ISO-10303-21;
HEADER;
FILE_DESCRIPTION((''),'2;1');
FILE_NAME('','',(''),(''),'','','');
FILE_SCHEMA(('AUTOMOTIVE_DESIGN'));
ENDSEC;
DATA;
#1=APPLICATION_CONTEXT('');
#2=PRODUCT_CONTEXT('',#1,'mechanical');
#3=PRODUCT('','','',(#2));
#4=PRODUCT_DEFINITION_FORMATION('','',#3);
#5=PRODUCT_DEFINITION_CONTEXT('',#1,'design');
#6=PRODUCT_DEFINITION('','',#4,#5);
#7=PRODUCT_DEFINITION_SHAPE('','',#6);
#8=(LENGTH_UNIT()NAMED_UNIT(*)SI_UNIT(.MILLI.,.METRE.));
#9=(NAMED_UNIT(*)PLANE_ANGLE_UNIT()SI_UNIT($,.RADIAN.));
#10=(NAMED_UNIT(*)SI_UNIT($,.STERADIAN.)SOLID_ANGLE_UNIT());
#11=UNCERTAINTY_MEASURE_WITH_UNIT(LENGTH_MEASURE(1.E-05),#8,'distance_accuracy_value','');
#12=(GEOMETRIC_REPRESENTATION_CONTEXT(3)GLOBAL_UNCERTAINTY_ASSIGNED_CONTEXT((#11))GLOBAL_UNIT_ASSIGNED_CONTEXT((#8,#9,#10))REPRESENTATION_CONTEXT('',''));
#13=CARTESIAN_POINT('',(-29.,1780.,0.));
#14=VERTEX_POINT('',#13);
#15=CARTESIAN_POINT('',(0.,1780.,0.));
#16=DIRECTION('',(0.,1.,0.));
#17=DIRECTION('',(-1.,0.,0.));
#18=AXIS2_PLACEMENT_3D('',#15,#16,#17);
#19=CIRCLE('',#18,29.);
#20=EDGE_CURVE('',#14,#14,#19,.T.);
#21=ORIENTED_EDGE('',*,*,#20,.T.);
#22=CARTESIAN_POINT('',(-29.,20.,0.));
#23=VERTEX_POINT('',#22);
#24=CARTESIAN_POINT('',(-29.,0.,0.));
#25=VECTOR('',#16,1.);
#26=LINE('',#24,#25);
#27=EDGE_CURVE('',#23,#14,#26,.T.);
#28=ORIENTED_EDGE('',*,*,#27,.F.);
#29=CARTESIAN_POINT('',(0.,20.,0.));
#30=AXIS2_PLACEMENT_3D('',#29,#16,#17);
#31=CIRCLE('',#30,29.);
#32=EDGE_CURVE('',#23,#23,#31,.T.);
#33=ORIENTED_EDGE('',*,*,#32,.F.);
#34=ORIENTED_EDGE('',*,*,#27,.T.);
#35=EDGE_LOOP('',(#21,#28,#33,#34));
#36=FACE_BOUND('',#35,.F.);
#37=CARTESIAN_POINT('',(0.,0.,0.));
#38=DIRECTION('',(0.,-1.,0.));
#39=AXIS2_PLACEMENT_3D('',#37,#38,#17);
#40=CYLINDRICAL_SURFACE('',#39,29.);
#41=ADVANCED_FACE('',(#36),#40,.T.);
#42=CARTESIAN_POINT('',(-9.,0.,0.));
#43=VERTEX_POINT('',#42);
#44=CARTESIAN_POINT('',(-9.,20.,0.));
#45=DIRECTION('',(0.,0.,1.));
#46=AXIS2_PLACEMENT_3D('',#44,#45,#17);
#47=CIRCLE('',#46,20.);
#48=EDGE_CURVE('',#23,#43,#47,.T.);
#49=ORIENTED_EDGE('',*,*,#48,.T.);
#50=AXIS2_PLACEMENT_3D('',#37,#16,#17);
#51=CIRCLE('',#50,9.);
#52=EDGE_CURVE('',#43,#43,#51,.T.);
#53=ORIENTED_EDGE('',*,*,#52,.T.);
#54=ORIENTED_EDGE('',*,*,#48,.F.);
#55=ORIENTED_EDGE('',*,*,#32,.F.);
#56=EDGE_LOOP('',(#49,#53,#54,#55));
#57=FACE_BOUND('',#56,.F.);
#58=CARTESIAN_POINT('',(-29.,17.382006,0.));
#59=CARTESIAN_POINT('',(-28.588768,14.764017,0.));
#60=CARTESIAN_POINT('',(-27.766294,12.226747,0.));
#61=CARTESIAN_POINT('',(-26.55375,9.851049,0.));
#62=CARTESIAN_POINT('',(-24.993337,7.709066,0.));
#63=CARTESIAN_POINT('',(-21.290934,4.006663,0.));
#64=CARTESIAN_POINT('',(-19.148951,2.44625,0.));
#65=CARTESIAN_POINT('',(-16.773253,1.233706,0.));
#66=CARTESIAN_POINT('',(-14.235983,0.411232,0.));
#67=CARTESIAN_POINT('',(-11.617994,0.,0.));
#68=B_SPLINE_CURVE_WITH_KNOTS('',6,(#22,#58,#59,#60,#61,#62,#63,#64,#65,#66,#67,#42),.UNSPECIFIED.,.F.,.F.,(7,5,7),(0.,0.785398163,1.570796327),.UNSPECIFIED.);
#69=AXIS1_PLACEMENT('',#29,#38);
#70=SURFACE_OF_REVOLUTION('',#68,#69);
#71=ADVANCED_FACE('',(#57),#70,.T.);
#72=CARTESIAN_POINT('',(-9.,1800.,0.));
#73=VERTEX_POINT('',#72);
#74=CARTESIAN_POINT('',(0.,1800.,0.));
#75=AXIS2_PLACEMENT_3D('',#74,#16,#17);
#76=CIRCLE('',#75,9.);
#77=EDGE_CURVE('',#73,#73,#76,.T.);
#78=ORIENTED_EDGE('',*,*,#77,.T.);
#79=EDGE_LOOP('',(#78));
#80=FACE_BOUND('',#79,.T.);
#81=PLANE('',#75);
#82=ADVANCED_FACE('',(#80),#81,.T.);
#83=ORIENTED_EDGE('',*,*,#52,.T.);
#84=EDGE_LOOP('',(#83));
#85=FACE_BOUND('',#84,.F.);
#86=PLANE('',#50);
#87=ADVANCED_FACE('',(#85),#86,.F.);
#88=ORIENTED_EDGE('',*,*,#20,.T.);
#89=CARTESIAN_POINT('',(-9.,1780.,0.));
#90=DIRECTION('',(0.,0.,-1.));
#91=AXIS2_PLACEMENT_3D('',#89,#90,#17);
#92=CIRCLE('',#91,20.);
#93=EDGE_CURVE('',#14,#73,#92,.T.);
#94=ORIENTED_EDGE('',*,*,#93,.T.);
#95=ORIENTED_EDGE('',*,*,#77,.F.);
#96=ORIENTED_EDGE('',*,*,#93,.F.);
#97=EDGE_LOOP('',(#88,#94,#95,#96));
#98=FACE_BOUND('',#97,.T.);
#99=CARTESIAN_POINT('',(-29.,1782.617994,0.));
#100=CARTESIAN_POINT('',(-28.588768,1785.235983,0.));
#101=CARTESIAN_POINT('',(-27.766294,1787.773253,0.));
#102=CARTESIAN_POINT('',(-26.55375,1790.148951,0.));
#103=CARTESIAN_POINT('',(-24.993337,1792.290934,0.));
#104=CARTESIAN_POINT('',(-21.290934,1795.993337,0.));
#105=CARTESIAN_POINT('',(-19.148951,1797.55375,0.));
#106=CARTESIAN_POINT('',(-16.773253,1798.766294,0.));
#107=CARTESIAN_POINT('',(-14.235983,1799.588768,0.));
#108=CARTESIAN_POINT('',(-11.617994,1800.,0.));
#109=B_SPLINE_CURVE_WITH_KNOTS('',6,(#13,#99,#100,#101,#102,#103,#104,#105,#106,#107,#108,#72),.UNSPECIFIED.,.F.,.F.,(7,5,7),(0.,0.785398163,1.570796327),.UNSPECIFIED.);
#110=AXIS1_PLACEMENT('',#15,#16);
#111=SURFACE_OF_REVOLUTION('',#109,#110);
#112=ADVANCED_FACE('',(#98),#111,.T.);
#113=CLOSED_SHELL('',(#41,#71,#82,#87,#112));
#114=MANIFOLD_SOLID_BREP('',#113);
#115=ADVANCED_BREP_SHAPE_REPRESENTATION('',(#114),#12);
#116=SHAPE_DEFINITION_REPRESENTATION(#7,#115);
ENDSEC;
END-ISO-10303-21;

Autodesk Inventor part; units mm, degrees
ref_plane "YZ Plane" through (0, 0, 0) normal (1, 0, 0) x (0, 1, 0)
ref_plane "XZ Plane" through (0, 0, 0) normal (0, 1, 0) x (-1, 0, 0)
ref_plane "XY Plane" through (0, 0, 0) normal (0, 0, 1) x (1, 0, 0)
sketch "Sketch1" plane through (0, 0, 0) normal (0, 1, 0) x (-1, 0, 0)
  circle A0 centre (0, 0) radius 29
  dimension "d0" = 58
extrude "Extrusion1" add sketch "Sketch1" along normal blind 1800
fillet "Fillet1" radius 20 2 edges at (29, 1800, 0) (29, 0, 0)
properties part number "Tubo"
